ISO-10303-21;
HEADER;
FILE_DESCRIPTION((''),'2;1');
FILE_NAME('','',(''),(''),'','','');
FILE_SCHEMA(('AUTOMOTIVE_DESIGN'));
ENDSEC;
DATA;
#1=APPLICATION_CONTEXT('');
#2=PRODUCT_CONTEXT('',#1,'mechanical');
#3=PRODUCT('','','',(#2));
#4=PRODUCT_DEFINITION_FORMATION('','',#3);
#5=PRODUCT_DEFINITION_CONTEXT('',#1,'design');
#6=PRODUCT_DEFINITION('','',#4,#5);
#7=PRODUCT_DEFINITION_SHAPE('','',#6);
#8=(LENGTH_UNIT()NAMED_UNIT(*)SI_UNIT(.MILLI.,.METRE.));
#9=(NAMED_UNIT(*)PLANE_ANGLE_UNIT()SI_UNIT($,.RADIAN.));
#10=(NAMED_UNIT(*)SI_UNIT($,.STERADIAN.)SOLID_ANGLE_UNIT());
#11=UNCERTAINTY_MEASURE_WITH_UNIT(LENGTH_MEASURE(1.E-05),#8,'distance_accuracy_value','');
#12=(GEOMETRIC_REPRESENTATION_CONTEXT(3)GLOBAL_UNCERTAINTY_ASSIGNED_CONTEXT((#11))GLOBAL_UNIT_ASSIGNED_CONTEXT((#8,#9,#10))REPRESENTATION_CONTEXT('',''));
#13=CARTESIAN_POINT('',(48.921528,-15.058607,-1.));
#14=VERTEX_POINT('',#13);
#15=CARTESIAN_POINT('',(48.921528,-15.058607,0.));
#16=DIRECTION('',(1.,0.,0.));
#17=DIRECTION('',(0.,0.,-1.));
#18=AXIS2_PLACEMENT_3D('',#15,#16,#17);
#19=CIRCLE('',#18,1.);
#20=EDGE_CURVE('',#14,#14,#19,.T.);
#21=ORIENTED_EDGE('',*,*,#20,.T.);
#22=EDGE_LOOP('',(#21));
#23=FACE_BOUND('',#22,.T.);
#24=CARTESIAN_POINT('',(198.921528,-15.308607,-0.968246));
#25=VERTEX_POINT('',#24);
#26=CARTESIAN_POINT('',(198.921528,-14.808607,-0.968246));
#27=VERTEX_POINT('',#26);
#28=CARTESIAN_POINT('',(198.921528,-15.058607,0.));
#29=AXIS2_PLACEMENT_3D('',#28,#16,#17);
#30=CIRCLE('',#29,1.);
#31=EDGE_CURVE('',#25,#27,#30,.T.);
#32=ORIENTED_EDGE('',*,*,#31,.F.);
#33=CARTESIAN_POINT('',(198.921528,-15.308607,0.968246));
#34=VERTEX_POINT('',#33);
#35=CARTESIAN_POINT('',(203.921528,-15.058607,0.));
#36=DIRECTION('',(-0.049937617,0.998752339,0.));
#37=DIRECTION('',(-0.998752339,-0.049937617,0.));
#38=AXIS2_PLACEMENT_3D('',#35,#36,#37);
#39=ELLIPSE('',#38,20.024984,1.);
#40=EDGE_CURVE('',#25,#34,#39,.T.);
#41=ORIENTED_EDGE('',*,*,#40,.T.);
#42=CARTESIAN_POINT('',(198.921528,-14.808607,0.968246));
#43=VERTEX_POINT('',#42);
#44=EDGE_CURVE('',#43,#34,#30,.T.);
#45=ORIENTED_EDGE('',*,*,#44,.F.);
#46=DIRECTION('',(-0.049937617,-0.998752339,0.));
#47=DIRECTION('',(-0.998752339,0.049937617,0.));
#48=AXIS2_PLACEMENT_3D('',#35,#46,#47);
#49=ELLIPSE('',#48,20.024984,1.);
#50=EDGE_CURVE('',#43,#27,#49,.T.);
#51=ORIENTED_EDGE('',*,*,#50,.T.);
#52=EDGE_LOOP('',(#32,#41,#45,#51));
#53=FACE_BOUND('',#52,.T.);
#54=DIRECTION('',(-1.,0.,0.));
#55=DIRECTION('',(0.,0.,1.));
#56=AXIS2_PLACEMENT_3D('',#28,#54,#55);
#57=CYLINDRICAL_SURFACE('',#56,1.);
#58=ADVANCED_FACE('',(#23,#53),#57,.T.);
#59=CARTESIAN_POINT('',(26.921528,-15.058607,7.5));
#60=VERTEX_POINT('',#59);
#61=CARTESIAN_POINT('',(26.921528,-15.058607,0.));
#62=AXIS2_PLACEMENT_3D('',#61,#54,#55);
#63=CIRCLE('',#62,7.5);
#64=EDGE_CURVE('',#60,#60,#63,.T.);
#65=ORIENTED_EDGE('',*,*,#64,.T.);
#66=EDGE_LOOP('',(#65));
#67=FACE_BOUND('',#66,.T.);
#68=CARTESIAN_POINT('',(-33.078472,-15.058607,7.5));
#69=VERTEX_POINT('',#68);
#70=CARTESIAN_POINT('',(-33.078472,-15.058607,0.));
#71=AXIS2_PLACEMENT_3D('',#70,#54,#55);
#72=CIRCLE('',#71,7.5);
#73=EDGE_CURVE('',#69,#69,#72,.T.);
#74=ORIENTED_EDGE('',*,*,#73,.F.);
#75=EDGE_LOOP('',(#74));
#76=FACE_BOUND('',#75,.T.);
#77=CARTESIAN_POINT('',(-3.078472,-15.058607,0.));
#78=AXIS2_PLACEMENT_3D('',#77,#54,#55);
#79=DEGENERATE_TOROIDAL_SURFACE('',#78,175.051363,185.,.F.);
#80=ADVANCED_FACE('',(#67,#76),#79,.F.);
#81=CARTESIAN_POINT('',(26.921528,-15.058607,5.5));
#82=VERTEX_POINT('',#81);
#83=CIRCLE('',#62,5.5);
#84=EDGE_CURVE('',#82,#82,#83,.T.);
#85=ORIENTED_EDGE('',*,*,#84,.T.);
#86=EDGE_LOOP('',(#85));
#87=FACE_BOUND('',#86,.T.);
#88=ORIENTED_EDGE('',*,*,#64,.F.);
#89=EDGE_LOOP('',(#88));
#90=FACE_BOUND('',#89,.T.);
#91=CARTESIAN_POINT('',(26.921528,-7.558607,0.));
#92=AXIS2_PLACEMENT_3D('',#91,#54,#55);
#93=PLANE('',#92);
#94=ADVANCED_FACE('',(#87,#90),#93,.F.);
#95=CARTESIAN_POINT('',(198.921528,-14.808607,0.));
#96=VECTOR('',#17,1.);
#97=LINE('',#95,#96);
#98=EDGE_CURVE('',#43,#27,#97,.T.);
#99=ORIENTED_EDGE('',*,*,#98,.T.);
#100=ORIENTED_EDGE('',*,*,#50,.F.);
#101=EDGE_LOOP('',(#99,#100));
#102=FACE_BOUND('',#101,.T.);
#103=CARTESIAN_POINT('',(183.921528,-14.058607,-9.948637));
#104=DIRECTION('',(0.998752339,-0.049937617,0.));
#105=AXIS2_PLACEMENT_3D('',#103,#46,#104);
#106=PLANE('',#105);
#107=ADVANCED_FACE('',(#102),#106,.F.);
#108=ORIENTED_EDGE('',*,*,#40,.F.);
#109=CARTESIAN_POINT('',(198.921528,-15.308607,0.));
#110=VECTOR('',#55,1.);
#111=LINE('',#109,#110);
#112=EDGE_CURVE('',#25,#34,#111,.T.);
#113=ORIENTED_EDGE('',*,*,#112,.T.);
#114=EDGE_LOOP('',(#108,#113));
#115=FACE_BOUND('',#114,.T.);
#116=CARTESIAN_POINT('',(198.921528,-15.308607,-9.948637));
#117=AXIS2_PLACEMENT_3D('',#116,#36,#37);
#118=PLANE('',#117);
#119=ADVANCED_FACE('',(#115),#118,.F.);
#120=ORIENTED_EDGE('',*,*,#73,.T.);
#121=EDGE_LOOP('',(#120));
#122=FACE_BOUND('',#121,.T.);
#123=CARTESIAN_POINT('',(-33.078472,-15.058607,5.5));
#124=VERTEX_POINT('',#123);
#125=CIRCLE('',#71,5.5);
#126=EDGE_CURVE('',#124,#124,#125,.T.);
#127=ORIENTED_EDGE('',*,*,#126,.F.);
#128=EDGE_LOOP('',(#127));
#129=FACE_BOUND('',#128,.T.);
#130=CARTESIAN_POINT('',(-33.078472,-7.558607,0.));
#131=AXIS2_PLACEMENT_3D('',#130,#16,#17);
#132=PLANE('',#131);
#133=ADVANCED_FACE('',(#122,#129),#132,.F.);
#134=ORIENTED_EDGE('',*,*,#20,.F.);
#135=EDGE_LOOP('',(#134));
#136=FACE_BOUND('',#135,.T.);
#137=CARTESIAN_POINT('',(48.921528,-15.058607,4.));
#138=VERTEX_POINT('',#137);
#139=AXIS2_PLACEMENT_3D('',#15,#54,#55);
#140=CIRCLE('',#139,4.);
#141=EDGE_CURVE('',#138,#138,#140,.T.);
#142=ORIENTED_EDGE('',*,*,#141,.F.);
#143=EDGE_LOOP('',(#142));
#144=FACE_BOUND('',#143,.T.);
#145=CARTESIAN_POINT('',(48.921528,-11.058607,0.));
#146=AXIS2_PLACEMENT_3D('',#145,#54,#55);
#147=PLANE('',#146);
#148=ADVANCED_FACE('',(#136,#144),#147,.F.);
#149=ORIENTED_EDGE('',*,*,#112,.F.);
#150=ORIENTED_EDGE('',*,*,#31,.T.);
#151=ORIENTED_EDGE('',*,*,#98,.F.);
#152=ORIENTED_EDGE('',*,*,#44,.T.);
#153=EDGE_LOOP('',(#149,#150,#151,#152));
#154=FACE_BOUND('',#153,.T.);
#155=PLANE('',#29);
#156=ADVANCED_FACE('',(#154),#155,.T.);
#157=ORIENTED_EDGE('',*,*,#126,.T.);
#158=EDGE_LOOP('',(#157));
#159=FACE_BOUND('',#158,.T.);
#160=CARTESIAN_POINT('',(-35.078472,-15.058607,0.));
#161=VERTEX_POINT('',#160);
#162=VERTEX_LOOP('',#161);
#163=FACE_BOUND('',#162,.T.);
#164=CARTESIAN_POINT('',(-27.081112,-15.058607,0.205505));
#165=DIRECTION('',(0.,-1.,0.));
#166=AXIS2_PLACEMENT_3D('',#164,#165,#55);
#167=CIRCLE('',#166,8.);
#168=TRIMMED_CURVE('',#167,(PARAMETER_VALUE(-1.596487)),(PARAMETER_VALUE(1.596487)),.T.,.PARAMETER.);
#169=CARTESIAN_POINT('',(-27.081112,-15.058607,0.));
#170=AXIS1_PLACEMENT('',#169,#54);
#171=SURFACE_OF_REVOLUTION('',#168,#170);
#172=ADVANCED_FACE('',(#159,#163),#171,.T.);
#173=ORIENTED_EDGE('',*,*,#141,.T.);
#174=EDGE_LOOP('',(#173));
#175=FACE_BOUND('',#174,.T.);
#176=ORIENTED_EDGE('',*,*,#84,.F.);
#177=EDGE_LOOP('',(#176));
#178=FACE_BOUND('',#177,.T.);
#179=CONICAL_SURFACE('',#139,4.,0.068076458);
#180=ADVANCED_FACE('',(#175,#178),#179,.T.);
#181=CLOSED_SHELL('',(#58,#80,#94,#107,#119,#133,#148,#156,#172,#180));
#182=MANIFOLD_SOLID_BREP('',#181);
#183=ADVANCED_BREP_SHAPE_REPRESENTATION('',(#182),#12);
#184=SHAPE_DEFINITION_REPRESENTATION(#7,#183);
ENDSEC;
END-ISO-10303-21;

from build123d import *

# Parameters (mm, degrees)
SKETCH_3_R               = 1
EXTRUDE_1_DEPTH          = 150
CUT_EXTRUDE_2_DEPTH      = 201.73393304
CUT_EXTRUDE_2_DEPTH_BACK = 201.73393304


with BuildPart() as part:
    # 스케치2 → 회전2 (revolve)
    with BuildSketch(Plane.XY, mode=Mode.PRIVATE) as revolve_2_sk:
        with BuildLine():
            Line((26.921527792, -7.558606832), (26.921527792, -9.558606832))
            Line((26.921527792, -9.558606832), (48.921527792, -11.058606832))
            Line((48.921527792, -11.058606832), (48.921527792, -15.058606832))
            Line((48.921527792, -15.058606832), (-33.078472208, -15.058606832))
            Line((-33.078472208, -15.058606832), (-35.078472208, -15.058606832))
            ThreePointArc((-35.078472208, -15.058606832), (-34.599459562, -12.119156885), (-33.078472208, -9.558606832))
            Line((-33.078472208, -9.558606832), (-33.078472208, -7.558606832))
            ThreePointArc((-33.078472208, -7.558606832), (-3.078472208, -5.109969467), (26.921527792, -7.558606832))
        make_face()
    revolve(revolve_2_sk.sketch.rotate(Axis((-74.638312123, -15.058606832, 0), (1, 0, 0)), 90), axis=Axis((-74.638312123, -15.058606832, 0), (1, 0, 0)))

    # 스케치3 → 보스-돌출1 (add)
    with BuildSketch(Plane(origin=(48.921527792, 0, 0), x_dir=(0, 0, -1), z_dir=(1, 0, 0))):
        with Locations((0, -15.058606832)):
            Circle(SKETCH_3_R)
    extrude(amount=EXTRUDE_1_DEPTH)

    # 스케치5 → 컷-돌출2 (cut, two sides: drawn at the far end of the back side and taken through both)
    with BuildSketch(Plane.XY.offset(-CUT_EXTRUDE_2_DEPTH_BACK)):
        Polygon((198.921527792, -14.058606832), (183.921527792, -14.058606832), (198.921527792, -14.808606832), align=None)
        Polygon((198.921527792, -15.308606832), (198.921527792, -16.058606832), (183.921527792, -16.058606832), align=None)
    extrude(amount=CUT_EXTRUDE_2_DEPTH + CUT_EXTRUDE_2_DEPTH_BACK, mode=Mode.SUBTRACT)


solid = part.part
